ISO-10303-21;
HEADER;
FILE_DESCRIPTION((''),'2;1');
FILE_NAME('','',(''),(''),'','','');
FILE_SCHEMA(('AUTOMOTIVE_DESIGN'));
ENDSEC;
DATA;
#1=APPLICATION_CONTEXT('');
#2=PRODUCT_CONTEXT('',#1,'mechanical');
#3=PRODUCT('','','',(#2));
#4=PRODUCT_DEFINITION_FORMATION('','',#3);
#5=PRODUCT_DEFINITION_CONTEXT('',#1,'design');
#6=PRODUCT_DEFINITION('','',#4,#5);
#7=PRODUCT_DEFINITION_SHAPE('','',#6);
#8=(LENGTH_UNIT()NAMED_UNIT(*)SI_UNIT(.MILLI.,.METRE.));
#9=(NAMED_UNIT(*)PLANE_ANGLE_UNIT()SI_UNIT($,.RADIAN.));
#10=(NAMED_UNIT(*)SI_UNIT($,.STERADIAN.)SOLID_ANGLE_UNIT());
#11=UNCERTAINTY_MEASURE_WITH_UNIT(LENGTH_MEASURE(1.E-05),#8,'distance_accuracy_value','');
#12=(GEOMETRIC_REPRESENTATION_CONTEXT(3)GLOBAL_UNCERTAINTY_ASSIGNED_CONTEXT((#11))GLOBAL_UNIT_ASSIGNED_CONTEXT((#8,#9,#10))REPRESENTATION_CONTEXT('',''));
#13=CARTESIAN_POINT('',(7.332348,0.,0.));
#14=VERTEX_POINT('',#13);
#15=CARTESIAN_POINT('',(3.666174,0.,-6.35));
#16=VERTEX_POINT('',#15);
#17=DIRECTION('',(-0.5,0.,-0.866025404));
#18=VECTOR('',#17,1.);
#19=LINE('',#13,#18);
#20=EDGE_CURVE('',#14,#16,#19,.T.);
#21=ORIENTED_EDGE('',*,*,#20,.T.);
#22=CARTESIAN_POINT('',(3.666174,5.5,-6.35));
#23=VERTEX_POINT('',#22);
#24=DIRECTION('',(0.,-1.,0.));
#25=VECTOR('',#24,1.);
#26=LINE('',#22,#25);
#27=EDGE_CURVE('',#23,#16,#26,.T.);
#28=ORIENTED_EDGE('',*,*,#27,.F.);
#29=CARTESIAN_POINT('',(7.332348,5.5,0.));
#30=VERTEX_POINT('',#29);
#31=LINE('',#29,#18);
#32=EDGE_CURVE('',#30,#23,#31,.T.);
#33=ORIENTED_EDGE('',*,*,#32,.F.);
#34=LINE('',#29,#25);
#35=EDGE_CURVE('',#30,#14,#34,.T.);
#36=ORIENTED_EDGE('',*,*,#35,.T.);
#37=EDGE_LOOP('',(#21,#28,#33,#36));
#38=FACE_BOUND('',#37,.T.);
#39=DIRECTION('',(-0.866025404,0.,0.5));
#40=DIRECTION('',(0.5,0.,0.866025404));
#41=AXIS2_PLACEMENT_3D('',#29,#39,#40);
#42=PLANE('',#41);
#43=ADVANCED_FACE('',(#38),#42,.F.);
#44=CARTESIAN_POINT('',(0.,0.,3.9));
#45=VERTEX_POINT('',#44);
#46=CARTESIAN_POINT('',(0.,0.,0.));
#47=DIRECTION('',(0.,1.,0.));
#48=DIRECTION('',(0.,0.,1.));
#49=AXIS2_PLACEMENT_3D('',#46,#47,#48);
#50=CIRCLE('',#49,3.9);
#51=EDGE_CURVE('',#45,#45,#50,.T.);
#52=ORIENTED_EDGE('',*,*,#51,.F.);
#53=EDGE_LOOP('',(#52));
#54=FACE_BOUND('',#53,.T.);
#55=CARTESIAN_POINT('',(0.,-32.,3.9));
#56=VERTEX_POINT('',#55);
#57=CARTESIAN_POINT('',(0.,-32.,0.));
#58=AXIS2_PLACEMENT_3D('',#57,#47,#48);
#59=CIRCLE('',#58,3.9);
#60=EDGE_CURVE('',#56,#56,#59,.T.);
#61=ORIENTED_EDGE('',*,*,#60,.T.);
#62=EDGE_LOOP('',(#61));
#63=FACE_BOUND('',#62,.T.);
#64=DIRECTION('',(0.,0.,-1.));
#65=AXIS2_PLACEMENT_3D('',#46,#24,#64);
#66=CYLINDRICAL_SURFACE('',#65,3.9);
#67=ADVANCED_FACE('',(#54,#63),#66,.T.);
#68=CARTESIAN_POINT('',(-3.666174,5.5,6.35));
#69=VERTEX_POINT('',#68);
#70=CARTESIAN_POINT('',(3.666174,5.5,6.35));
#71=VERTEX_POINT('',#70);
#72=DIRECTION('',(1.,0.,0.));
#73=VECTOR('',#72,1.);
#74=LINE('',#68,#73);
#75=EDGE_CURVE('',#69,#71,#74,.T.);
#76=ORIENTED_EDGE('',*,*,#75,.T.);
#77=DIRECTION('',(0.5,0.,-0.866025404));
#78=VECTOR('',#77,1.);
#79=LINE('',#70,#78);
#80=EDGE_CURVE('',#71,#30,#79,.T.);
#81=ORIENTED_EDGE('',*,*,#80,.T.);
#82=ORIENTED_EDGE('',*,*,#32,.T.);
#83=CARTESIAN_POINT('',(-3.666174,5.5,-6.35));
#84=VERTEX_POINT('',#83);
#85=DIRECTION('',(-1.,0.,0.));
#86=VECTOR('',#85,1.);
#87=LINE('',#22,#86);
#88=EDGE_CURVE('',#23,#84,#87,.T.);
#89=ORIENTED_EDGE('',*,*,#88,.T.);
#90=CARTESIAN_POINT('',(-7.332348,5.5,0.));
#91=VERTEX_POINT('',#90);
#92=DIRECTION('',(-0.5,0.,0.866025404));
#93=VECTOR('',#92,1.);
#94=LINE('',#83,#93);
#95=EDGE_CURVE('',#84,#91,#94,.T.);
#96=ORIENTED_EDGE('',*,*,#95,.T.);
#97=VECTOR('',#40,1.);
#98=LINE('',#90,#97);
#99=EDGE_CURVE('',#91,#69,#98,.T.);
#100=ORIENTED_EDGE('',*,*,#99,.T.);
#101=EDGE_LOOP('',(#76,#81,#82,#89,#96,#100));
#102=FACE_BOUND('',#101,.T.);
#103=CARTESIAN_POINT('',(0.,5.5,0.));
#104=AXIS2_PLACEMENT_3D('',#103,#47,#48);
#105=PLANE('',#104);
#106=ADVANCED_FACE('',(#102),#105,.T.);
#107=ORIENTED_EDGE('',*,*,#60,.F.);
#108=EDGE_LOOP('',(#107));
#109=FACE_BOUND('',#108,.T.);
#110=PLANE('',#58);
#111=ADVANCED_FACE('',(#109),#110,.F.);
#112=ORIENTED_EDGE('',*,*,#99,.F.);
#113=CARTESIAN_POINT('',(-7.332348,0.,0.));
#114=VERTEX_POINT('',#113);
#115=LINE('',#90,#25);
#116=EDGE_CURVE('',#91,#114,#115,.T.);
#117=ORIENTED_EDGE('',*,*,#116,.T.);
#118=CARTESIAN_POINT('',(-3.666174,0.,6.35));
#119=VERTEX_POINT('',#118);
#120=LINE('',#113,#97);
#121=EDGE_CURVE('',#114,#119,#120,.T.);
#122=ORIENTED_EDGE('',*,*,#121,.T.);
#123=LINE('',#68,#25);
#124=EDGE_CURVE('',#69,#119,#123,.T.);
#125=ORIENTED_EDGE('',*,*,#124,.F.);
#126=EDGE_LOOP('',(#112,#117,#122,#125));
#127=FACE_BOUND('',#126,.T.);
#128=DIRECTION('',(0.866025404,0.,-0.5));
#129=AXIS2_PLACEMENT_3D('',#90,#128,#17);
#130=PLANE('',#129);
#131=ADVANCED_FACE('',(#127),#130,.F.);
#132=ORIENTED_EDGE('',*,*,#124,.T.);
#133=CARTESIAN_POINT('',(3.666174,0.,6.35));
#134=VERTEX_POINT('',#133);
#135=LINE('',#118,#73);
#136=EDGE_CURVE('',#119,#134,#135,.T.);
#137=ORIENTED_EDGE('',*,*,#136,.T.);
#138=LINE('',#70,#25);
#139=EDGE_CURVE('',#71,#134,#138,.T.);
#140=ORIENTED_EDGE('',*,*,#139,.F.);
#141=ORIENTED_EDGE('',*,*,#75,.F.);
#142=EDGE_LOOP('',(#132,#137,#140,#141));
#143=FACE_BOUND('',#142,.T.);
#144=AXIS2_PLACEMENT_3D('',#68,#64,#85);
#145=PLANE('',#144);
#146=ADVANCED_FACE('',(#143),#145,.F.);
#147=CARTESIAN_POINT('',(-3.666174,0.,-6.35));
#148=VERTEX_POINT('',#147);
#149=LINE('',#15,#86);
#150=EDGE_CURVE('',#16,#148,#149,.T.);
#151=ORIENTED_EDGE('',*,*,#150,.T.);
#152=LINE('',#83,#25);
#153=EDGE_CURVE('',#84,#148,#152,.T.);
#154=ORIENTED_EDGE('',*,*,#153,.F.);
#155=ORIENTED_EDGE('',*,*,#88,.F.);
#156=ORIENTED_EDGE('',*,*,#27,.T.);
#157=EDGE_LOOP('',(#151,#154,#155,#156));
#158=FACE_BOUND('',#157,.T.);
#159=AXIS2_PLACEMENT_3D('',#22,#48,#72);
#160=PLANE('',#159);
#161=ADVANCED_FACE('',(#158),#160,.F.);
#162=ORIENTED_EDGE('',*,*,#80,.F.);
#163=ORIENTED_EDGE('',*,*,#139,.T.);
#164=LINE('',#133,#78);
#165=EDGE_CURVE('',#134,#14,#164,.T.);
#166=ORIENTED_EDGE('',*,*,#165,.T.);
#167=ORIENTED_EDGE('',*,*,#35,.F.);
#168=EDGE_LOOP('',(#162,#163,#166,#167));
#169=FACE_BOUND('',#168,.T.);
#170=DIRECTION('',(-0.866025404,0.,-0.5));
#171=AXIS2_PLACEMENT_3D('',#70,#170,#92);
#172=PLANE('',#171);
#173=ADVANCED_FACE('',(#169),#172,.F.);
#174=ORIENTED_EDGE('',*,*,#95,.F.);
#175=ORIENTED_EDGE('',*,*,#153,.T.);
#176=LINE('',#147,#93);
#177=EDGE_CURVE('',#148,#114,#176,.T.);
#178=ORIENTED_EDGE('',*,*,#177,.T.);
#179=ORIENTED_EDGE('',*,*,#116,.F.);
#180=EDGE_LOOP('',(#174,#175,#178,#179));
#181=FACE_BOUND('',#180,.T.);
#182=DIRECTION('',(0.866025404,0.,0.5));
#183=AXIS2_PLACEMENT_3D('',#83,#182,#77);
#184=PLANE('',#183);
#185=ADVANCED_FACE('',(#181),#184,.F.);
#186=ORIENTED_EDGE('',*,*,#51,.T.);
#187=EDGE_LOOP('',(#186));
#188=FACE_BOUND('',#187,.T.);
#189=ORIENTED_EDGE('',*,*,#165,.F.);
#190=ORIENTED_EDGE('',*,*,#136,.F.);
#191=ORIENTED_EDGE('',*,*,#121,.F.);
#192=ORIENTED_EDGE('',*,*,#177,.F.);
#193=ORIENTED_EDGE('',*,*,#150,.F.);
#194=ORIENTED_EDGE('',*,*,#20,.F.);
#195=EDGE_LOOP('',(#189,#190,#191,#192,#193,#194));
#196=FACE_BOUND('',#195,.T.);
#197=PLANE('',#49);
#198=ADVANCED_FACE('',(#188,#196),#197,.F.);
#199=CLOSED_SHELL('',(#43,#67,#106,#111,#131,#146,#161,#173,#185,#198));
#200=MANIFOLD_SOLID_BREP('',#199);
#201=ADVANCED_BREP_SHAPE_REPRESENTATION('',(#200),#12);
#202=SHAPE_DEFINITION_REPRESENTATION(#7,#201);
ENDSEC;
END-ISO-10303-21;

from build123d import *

# Parameters (mm, degrees)
BOSS_EXTRUDE1_DEPTH = 5.5
BOSS_EXTRUDE2_START = -32
SKETCH2_R           = 3.9
BOSS_EXTRUDE2_DEPTH = 32


with BuildPart() as part:
    # Sketch1 → Boss-Extrude1 (new body)
    with BuildSketch(Plane(origin=(0, 0, 0), x_dir=(1, 0, 0), z_dir=(0, 1, 0))):
        Polygon((7.332348419, 0), (3.666174209, 6.35), (-3.666174209, 6.35), (-7.332348419, 0), (-3.666174209, -6.35), (3.666174209, -6.35), align=None)
    extrude(amount=BOSS_EXTRUDE1_DEPTH)

    # Sketch2 → Boss-Extrude2 (add)
    with BuildSketch(Plane(origin=(0, 0, 0), x_dir=(1, 0, 0), z_dir=(0, 1, 0)).offset(BOSS_EXTRUDE2_START)):
        with Locations(Location((0, 0, 0), (0, 0, 270))):
            Circle(SKETCH2_R)
    extrude(amount=BOSS_EXTRUDE2_DEPTH)


solid = part.part
